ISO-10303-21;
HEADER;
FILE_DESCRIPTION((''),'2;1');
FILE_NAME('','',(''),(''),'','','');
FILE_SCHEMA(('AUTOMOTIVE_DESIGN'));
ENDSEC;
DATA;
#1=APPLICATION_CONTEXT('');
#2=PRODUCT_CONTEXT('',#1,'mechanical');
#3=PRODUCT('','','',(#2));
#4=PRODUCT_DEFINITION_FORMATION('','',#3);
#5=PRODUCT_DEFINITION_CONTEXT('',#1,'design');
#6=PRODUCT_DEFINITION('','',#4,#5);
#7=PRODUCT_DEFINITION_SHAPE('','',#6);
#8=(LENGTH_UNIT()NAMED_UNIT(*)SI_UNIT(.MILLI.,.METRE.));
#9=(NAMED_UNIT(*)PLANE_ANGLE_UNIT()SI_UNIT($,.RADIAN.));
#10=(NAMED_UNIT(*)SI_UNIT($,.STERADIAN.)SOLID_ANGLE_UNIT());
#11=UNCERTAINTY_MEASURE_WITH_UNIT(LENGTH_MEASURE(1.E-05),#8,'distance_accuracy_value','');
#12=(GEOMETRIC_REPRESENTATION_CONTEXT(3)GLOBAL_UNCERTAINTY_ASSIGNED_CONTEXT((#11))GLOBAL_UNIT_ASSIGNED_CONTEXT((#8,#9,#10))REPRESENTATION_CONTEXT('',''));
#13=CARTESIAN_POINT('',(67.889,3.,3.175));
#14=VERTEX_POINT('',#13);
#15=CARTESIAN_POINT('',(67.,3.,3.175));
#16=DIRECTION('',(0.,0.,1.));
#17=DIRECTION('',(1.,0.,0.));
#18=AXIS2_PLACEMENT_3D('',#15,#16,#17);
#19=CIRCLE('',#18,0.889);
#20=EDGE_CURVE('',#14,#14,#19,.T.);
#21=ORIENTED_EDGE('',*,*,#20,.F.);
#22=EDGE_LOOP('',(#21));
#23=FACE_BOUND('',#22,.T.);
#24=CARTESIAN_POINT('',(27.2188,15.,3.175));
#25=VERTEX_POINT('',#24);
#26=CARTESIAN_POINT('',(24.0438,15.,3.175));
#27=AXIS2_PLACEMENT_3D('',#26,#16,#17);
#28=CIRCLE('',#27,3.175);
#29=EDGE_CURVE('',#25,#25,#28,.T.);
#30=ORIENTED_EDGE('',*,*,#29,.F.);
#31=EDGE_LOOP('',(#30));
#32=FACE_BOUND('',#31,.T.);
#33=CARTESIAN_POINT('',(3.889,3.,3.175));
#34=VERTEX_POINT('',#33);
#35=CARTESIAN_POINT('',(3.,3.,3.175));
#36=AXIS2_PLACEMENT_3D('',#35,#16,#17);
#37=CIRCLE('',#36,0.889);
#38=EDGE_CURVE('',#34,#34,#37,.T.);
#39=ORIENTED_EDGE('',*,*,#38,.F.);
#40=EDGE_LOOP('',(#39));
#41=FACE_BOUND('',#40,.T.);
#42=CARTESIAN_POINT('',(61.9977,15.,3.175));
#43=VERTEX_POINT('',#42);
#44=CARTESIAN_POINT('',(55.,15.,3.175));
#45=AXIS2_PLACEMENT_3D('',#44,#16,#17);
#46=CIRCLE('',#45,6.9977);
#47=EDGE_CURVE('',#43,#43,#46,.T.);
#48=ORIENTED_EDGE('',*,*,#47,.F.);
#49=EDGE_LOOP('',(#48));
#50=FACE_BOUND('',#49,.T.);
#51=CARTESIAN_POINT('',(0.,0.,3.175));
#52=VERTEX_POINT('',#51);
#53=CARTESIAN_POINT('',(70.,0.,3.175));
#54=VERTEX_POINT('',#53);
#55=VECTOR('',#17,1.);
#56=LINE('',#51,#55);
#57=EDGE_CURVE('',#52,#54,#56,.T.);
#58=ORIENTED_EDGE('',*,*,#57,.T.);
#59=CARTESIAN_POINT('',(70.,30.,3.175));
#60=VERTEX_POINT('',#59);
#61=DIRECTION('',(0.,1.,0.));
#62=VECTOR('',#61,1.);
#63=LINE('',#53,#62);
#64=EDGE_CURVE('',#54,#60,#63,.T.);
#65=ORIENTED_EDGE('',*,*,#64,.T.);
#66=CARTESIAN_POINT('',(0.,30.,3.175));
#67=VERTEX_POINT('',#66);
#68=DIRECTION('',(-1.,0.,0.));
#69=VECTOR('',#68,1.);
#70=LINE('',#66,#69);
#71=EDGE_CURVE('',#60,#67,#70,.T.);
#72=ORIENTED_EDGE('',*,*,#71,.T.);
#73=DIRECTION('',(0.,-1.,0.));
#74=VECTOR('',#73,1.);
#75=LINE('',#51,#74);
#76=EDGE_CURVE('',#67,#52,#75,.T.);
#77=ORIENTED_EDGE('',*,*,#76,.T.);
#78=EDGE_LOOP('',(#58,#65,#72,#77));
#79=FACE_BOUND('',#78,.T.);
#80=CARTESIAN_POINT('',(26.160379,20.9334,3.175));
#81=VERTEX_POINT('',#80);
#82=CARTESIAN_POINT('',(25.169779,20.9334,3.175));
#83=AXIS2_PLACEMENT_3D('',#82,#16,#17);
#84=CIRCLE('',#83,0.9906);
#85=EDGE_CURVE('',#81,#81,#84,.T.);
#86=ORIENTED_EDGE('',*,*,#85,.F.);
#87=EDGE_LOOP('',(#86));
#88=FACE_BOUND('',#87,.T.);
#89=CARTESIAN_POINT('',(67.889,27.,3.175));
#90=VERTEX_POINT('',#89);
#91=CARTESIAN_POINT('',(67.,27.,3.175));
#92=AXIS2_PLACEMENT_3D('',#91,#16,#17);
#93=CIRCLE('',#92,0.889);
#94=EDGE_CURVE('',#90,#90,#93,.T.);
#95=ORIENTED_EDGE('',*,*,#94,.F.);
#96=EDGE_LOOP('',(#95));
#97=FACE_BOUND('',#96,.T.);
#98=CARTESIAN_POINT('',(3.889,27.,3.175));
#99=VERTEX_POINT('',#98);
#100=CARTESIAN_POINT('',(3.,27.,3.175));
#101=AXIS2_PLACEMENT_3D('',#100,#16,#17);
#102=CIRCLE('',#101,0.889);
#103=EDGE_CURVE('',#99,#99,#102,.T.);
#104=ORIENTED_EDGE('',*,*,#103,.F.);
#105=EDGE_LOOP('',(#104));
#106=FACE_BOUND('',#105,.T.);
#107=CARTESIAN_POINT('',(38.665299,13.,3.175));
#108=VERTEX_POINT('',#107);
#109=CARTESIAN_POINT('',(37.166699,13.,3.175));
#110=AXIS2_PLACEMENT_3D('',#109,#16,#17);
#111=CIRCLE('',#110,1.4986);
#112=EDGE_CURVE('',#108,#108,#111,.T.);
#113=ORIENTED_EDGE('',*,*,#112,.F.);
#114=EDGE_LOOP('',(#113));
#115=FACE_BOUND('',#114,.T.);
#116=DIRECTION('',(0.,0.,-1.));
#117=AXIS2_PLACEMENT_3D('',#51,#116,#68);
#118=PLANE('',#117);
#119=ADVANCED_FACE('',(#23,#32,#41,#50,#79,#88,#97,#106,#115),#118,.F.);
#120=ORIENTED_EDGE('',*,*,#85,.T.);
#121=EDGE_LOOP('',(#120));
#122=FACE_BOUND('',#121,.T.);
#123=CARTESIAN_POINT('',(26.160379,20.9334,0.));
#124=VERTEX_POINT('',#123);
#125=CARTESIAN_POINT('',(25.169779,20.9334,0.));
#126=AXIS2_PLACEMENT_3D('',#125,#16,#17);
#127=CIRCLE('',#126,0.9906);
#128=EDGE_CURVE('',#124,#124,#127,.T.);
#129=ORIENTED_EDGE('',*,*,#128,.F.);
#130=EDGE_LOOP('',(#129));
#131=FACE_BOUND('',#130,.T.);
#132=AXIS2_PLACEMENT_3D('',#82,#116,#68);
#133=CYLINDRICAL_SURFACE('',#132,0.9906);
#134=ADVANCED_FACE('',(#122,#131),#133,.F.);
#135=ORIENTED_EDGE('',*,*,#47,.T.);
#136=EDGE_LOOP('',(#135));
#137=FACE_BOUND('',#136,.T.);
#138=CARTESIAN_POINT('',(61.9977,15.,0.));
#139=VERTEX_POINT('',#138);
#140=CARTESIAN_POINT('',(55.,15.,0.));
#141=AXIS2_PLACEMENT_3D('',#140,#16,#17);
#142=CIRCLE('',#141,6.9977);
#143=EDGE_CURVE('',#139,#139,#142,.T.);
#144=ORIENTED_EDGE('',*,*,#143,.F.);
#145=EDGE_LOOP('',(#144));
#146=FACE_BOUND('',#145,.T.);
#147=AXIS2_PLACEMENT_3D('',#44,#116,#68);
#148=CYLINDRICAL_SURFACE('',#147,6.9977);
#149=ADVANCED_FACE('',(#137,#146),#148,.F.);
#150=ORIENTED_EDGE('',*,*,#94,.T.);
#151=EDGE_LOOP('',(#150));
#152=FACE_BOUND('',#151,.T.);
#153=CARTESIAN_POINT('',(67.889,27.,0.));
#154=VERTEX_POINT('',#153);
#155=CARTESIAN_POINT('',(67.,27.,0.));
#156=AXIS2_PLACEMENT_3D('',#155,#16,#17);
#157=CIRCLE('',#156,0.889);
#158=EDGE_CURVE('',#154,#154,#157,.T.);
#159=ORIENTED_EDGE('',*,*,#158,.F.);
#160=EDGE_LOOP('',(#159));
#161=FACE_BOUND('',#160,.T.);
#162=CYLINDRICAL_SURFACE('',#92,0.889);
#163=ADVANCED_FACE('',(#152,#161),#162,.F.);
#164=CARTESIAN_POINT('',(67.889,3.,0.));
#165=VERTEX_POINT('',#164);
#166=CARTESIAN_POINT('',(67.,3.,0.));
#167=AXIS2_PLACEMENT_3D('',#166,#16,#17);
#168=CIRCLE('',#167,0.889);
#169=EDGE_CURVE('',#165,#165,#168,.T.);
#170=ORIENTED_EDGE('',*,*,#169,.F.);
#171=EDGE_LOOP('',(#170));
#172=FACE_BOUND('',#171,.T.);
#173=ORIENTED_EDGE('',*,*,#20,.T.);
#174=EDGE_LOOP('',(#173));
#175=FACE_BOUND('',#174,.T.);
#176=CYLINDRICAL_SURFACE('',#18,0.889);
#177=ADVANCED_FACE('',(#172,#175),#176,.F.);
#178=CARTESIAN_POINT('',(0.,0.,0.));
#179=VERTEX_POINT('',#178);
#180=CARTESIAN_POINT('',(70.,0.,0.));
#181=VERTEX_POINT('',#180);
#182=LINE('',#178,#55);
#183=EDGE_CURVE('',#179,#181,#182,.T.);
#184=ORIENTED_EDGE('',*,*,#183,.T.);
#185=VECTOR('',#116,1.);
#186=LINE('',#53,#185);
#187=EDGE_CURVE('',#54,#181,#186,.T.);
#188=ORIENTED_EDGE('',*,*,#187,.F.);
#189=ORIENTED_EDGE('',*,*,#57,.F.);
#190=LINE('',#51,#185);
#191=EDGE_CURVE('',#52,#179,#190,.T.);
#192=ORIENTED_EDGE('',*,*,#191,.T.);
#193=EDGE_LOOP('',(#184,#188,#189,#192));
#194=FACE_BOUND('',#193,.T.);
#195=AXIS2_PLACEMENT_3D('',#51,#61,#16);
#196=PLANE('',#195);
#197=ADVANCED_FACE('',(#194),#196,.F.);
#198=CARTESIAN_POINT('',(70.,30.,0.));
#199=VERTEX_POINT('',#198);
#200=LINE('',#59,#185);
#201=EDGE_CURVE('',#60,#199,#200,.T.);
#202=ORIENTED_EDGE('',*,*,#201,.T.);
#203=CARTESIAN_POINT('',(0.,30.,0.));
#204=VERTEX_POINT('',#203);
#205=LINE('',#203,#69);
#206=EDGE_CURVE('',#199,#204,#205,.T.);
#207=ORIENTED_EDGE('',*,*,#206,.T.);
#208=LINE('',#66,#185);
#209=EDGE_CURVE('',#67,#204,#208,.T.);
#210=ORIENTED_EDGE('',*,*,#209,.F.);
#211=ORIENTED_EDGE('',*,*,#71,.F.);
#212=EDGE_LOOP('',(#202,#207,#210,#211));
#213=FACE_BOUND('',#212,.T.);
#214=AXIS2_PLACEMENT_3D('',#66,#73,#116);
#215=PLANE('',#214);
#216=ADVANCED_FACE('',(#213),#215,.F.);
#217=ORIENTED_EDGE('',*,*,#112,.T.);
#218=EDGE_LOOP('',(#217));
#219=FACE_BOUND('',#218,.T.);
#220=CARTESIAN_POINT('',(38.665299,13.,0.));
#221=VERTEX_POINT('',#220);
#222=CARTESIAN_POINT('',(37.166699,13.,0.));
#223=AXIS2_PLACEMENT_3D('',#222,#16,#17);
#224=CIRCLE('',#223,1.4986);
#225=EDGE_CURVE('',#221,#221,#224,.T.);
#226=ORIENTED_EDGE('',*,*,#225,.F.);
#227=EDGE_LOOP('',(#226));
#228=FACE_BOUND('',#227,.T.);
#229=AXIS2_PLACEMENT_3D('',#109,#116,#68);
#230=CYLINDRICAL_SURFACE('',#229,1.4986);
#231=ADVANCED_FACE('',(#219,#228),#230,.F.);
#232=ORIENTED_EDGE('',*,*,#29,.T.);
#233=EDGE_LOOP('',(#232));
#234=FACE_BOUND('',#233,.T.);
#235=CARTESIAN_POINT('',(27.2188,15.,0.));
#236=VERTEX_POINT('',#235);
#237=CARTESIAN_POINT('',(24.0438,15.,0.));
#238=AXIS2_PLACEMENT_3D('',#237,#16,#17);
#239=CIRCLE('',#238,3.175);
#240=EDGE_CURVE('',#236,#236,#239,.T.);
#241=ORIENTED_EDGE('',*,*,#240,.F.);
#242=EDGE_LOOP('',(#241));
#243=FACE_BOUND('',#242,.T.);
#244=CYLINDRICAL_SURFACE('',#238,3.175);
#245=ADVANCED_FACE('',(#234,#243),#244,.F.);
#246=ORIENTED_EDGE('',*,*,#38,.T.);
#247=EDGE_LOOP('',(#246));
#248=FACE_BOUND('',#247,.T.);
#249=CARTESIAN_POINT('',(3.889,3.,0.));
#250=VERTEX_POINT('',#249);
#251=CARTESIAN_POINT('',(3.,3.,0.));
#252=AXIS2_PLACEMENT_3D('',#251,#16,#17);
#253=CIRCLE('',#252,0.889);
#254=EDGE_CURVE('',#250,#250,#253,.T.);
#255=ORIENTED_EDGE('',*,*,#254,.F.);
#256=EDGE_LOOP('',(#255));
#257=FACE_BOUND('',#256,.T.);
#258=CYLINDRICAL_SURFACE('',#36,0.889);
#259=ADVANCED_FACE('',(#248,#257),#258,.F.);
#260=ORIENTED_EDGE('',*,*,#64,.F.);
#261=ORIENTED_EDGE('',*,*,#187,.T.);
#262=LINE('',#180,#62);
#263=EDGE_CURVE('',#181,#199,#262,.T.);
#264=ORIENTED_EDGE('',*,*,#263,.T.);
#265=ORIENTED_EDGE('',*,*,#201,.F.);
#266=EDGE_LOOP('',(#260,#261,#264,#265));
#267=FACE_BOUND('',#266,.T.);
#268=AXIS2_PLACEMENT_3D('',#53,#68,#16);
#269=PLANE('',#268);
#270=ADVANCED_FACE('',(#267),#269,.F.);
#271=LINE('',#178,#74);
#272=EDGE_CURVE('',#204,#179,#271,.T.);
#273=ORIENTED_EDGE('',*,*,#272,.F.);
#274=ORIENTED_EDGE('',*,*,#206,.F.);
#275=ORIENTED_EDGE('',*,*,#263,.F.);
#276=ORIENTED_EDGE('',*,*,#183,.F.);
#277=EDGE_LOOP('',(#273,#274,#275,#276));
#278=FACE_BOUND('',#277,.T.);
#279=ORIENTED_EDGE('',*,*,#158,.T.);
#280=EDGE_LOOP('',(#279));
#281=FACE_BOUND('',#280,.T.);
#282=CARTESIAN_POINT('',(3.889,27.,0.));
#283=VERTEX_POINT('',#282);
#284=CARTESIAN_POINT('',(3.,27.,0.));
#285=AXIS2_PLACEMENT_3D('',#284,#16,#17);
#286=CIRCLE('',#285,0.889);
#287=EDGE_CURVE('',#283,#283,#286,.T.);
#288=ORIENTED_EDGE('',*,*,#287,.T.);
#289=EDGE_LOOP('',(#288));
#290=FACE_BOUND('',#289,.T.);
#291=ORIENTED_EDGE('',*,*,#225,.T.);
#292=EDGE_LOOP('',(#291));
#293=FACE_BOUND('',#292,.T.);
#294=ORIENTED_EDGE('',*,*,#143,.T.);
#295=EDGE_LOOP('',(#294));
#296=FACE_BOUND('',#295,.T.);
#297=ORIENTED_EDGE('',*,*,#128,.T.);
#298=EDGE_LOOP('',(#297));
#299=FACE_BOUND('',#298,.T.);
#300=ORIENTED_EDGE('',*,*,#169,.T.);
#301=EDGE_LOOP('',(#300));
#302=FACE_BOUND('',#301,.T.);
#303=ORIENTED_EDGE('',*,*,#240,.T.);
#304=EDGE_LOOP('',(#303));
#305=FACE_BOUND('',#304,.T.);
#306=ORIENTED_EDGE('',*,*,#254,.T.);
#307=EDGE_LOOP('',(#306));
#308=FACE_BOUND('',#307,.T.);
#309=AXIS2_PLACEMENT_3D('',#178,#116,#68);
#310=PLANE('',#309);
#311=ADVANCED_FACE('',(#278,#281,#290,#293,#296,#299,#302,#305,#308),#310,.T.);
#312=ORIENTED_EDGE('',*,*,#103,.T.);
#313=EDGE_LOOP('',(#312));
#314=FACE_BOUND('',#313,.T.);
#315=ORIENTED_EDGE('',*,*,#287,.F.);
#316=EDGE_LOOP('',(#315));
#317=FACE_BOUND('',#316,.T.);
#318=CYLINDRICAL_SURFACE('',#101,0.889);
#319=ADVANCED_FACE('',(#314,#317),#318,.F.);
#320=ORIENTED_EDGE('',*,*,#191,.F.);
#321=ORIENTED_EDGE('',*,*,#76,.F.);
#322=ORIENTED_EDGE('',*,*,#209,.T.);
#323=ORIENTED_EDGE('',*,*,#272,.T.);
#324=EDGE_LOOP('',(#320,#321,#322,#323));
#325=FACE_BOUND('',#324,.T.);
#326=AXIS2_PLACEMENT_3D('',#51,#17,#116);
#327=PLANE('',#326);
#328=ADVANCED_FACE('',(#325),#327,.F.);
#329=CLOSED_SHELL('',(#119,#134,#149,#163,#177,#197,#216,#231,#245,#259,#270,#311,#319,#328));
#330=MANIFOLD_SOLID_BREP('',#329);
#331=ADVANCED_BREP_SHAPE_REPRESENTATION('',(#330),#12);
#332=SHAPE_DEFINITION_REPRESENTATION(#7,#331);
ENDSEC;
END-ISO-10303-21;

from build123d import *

# Parameters (mm, degrees)
SKETCH1_W             = 70
SKETCH1_H             = 30
SKETCH1_R             = 6.9977
SKETCH1_R_2           = 1.4986
SKETCH1_R_3           = 0.9906
BOSS_EXTRUDE2_DEPTH   = 3.175
F_2_56_TAPPED_HOLE1_D = 1.778
SKETCH4_R             = 3.175
CUT_EXTRUDE1_DEPTH    = 77.223884872


with BuildPart() as part:
    # Sketch1 → Boss-Extrude2 (new body)
    with BuildSketch(Plane.XY):
        with Locations((35, 15)):
            Rectangle(SKETCH1_W, SKETCH1_H)
        with Locations((55, 15)):
            Circle(SKETCH1_R, mode=Mode.SUBTRACT)
        with Locations((37.166699296, 13)):
            Circle(SKETCH1_R_2, mode=Mode.SUBTRACT)
        with Locations((25.169778966, 20.933400182)):
            Circle(SKETCH1_R_3, mode=Mode.SUBTRACT)
    extrude(amount=BOSS_EXTRUDE2_DEPTH)

    # #2-56 Tapped Hole1 (through all)
    with Locations(Plane.XY.offset(3.175)):
        with Locations((67, 27), (67, 3), (3, 27), (3, 3)):
            Hole(F_2_56_TAPPED_HOLE1_D / 2)

    # Sketch4 → Cut-Extrude1 (cut, through all)
    with BuildSketch(Plane.XY.offset(3.175)):
        with Locations((24.0438, 15)):
            Circle(SKETCH4_R)
    extrude(amount=-CUT_EXTRUDE1_DEPTH, mode=Mode.SUBTRACT)


solid = part.part
